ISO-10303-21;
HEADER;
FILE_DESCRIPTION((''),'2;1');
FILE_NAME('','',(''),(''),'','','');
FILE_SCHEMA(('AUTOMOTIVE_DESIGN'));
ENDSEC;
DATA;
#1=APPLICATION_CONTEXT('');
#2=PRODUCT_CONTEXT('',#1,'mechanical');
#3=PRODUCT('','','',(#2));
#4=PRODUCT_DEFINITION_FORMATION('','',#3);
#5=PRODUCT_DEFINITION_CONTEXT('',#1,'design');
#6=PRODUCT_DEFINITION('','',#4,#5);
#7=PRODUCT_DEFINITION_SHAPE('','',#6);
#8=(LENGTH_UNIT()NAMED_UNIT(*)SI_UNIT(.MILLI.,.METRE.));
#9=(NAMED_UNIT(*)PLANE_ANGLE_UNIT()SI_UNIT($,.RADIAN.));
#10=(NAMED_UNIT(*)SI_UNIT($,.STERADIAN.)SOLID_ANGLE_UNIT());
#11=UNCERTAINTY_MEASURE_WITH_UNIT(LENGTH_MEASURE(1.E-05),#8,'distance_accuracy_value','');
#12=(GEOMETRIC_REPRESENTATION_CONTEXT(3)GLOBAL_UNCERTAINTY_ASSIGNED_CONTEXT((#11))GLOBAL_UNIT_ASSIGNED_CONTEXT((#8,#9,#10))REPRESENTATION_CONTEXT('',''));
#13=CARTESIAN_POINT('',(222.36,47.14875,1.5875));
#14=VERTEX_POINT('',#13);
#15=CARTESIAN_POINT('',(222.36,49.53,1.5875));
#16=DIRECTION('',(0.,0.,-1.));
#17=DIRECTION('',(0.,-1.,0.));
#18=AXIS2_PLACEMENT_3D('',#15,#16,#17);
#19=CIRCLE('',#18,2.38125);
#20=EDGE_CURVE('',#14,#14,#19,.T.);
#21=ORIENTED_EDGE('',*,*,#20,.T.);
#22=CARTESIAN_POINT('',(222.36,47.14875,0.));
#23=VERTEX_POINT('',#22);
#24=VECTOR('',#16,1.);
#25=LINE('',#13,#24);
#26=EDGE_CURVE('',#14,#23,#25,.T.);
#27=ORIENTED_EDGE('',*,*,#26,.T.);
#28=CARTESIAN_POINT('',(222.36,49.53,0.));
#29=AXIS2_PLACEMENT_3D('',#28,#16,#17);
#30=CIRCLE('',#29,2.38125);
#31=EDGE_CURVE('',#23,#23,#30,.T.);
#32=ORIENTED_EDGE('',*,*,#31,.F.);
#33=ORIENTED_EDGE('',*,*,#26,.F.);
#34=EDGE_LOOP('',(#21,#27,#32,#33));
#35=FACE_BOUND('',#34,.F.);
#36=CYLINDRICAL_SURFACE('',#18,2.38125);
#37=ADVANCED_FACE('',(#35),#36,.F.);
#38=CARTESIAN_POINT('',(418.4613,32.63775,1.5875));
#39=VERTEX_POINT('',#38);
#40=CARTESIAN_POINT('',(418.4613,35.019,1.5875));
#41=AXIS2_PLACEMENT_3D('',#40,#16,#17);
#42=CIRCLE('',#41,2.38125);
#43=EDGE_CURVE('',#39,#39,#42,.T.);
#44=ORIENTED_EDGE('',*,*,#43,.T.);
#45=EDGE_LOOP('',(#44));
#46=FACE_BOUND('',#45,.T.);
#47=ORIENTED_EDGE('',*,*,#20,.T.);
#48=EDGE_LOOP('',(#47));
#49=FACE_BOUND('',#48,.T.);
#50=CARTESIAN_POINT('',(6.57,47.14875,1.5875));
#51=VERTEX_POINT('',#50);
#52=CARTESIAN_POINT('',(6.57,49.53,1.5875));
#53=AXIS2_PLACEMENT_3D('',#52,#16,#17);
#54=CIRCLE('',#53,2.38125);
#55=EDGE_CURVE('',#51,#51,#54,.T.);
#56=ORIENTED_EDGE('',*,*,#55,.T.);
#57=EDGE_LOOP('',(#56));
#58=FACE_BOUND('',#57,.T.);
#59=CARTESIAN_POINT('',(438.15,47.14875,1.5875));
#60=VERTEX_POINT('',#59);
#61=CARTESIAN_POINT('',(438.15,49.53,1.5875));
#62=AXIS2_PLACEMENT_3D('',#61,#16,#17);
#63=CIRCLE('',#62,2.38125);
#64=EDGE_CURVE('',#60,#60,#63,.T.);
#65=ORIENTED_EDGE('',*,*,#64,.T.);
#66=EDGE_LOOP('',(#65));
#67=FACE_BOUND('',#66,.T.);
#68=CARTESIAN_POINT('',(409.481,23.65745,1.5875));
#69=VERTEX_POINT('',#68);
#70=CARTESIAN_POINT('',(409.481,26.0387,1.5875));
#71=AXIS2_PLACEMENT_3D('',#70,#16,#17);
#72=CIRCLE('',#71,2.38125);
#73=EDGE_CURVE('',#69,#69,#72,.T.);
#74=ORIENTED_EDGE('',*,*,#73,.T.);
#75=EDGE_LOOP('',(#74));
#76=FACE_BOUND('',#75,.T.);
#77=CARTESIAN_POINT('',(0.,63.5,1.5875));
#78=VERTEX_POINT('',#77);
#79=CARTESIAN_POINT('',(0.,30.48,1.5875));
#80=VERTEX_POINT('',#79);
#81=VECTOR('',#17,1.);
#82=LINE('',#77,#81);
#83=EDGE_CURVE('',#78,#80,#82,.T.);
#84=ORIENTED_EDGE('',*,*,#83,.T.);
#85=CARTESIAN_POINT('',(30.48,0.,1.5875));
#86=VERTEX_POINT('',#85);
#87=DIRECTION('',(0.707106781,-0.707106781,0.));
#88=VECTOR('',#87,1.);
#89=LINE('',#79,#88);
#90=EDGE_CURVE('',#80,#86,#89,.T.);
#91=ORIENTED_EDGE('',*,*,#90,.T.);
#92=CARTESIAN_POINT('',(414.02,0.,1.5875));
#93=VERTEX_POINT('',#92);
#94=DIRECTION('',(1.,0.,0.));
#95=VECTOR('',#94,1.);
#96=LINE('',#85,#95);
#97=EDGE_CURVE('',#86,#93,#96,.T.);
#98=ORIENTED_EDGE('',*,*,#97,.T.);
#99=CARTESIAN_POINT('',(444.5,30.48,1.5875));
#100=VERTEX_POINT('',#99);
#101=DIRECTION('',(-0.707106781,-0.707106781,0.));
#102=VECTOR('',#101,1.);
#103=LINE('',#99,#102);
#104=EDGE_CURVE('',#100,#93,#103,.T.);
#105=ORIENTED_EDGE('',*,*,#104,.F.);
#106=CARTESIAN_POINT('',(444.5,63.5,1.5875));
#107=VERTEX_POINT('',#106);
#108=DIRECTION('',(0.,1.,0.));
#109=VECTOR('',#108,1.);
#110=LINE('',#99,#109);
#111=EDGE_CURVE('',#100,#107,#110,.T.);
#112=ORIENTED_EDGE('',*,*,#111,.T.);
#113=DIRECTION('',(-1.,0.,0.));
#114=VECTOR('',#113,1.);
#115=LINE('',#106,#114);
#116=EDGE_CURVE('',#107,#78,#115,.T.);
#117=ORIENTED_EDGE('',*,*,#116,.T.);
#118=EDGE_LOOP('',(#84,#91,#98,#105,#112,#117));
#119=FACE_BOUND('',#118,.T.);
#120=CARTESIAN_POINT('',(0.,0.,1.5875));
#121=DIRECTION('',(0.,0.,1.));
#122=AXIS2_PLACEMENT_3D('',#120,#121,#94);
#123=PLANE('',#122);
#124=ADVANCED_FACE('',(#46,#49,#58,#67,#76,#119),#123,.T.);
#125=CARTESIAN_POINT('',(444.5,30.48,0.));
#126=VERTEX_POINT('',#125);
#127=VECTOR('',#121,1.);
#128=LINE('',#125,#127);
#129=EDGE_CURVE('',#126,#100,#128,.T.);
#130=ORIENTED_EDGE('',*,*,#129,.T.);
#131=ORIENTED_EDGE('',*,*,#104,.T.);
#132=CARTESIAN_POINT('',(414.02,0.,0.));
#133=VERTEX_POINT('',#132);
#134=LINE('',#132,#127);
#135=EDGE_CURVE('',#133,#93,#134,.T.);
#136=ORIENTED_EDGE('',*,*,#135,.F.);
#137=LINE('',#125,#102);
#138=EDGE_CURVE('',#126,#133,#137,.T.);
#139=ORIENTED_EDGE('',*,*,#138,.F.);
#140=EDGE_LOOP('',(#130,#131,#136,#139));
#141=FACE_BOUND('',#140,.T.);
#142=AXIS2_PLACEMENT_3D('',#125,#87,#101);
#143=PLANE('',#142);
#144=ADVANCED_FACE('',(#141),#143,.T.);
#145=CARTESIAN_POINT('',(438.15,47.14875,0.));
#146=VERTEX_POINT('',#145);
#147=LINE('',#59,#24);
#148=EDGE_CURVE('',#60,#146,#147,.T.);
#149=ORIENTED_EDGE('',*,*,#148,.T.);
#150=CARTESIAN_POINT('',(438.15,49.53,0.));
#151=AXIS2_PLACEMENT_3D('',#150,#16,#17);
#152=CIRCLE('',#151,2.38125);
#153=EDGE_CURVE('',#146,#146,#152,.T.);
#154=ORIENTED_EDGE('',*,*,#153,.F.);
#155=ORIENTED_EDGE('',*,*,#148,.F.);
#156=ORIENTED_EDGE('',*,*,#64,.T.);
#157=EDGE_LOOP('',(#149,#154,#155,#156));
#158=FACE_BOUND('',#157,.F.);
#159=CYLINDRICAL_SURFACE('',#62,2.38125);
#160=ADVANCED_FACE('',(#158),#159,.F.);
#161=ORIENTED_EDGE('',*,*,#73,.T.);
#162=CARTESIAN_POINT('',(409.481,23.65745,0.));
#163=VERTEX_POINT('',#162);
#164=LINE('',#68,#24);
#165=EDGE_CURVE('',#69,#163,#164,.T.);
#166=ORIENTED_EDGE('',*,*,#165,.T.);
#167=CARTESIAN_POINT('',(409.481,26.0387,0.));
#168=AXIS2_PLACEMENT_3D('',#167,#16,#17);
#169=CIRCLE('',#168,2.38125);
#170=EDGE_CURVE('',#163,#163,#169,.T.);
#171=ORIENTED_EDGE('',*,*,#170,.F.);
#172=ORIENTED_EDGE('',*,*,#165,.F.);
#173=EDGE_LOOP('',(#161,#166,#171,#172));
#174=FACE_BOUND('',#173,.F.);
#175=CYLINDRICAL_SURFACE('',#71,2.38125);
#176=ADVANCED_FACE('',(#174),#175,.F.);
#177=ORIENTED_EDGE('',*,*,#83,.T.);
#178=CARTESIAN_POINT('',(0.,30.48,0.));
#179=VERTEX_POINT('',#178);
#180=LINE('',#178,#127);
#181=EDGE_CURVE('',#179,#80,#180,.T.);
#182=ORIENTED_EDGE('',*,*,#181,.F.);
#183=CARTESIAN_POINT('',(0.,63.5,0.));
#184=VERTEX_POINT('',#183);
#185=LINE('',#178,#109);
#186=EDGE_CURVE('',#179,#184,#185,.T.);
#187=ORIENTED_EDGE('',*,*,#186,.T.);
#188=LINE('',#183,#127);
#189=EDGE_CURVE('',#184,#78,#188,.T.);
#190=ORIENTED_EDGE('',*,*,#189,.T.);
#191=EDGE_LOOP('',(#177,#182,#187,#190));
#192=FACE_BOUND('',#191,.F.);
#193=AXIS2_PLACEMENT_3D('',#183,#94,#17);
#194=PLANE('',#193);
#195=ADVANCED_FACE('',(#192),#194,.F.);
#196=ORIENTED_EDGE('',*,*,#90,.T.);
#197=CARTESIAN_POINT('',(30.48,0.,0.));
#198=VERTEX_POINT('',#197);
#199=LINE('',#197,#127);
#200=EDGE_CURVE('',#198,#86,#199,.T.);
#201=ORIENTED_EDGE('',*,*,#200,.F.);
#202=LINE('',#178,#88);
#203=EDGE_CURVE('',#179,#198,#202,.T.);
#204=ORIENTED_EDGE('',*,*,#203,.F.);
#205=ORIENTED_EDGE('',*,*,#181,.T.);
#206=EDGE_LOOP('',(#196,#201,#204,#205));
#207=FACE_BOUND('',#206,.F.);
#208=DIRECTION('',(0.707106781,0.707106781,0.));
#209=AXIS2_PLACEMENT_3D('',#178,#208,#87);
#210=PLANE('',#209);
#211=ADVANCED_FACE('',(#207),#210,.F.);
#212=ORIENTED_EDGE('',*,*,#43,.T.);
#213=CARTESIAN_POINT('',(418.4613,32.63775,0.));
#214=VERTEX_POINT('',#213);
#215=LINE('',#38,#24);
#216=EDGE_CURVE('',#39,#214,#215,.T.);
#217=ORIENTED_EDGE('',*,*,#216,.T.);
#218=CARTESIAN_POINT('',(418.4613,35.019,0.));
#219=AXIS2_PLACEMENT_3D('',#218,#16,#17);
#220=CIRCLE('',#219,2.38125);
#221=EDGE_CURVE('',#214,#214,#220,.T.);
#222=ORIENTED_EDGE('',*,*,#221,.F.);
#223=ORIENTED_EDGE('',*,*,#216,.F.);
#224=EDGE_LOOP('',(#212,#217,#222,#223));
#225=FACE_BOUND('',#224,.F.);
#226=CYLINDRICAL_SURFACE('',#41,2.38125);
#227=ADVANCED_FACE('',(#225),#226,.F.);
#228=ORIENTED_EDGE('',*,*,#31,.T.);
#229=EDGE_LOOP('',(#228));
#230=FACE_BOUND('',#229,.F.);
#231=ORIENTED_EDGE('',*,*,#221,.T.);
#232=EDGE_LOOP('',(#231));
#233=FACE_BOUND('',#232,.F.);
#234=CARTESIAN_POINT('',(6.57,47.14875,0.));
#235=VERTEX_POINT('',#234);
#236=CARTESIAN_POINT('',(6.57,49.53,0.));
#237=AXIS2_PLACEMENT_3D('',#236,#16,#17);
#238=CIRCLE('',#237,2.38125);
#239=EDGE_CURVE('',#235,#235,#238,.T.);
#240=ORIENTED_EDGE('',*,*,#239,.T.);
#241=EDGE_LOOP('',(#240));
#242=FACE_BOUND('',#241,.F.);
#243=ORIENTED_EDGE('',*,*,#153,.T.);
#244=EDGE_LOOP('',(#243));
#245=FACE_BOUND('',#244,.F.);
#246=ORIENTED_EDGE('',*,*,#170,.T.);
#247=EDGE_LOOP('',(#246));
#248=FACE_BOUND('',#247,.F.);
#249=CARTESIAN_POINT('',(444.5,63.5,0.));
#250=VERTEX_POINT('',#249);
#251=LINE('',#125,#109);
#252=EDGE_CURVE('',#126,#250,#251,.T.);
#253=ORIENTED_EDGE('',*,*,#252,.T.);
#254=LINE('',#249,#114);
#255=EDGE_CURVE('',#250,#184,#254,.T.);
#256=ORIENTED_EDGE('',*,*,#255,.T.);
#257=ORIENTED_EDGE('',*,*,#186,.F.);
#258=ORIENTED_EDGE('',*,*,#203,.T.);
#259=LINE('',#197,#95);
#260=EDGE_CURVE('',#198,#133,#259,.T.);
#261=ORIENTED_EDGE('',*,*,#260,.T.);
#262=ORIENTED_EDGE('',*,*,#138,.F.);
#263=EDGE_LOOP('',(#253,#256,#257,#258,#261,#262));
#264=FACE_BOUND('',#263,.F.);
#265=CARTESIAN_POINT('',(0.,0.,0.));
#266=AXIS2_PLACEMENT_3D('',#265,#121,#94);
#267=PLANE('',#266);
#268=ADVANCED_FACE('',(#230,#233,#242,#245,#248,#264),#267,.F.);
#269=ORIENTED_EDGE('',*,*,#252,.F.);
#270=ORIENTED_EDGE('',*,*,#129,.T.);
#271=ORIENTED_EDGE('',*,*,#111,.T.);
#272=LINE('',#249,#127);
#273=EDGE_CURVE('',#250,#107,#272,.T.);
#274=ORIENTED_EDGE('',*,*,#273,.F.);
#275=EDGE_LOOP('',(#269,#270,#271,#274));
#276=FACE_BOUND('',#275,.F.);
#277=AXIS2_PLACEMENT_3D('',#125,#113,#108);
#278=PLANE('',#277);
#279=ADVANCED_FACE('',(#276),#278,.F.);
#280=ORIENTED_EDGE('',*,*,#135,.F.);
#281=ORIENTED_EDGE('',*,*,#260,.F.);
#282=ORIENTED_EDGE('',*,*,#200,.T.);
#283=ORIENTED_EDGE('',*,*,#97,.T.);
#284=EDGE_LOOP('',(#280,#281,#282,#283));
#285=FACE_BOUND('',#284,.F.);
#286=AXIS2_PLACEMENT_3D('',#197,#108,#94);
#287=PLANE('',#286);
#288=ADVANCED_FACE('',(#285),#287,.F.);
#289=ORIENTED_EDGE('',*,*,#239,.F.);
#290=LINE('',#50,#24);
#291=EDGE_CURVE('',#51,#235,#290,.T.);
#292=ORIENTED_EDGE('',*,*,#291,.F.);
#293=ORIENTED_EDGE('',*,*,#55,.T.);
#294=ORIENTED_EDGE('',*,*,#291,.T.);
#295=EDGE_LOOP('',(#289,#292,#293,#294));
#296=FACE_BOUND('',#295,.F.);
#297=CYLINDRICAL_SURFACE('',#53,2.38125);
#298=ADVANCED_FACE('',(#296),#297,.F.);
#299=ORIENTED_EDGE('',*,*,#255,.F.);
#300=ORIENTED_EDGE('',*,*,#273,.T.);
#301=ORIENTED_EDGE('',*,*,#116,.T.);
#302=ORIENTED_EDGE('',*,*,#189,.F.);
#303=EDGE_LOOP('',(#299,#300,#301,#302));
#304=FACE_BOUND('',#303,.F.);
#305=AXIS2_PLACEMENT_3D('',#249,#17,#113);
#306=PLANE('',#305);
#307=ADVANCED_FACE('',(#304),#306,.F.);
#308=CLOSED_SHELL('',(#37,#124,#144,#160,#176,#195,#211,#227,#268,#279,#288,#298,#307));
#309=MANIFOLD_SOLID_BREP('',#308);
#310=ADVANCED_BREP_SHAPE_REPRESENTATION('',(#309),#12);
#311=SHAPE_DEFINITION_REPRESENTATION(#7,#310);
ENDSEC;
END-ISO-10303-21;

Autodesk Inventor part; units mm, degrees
ref_plane "YZ Plane" through (0, 0, 0) normal (1, 0, 0) x (0, 1, 0)
ref_plane "XZ Plane" through (0, 0, 0) normal (0, 1, 0) x (-1, 0, 0)
ref_plane "XY Plane" through (0, 0, 0) normal (0, 0, 1) x (1, 0, 0)
sketch "Sketch1" plane through (0, 0, 0) normal (0, 0, 1) x (1, 0, 0)
  line L0 (444.5, 63.5) -> (0, 63.5)
  line L1 (0, 63.5) -> (0, 30.48)
  line L2 (0, 30.48) -> (30.48, 0)
  line L3 (30.48, 0) -> (414.02, 0)
  line L4 (444.5, 30.48) -> (444.5, 63.5)
  line L5 (0, 63.5) -> (0, 53.34)
  line L6 (444.5, 30.48) -> (414.02, 0)
  line L7 (444.5, 30.48) -> (487.6052, 30.48) construction
  point P0 (0, 0)
  dimension "d0" = 444.5
  dimension "d2" = 30.48
  dimension "d19" = 135
extrude "Extrusion1" add sketch "Sketch1" along normal blind 1.5875
sketch "Sketch2" plane through (0, 0, 1.5875) normal (0, 0, 1) x (1, 0, 0)
  line L0 (0.22, 63.5) -> (0.22, 50.8)
  line L1 (0.22, 50.8) -> (12.92, 63.5)
  line L2 (444.5, 63.5) -> (0, 63.5) projected
  line L3 (0, 63.5) -> (0, 30.48) projected
  line L4 (0, 63.5) -> (6.57, 57.15)
  line L5 (6.57, 57.15) -> (6.57, 49.53)
  line L6 (6.57, 57.15) -> (14.19, 57.15) construction
  line L7 (444.5, 30.48) -> (444.5, 63.5) projected
  line L8 (444.5, 63.5) -> (444.5, 50.8)
  line L9 (444.5, 50.8) -> (431.8, 63.5)
  line L10 (431.8, 63.5) -> (444.5, 63.5)
  line L11 (444.5, 63.5) -> (438.15, 57.15)
  line L12 (438.15, 57.15) -> (438.15, 49.53)
  line L13 (438.15, 49.53) -> (6.57, 49.53)
  line L14 (30.48, 0) -> (414.02, 0) projected
  line L15 (414.02, 0) -> (444.5, 30.48)
  line L16 (414.02, 0) -> (444.5, 30.48) projected
  line L17 (429.26, 15.24) -> (444.5, 0)
  line L18 (429.26, 15.24) -> (413.9711, 30.5289)
  line L19 (418.4613, 35.019) -> (409.481, 26.0387)
  line L20 (429.26, 15.24) -> (414.8916, 29.6084)
  point P0 (0, 0)
  point P1 (0, 30.48)
  point P2 (222.36, 49.53)
  point P3 (409.481, 26.0387)
  dimension "d9" = 12.7
  dimension "d10" = 45
  dimension "d20" = 7.62
  dimension "d21" = 90
  dimension "d22" = 12.7
  dimension "d23" = 45
  dimension "d24" = 7.62
  dimension "d33" = 6.35
hole "Hole2" at (6.57, 49.53, 1.5875) at (222.36, 49.53, 1.5875) at (438.15, 49.53, 1.5875) at (418.4613, 35.019, 1.5875) at (409.481, 26.0387, 1.5875) direction (0, 0, -1) diameter 4.7625 end through all
properties part number "sideskirt"
